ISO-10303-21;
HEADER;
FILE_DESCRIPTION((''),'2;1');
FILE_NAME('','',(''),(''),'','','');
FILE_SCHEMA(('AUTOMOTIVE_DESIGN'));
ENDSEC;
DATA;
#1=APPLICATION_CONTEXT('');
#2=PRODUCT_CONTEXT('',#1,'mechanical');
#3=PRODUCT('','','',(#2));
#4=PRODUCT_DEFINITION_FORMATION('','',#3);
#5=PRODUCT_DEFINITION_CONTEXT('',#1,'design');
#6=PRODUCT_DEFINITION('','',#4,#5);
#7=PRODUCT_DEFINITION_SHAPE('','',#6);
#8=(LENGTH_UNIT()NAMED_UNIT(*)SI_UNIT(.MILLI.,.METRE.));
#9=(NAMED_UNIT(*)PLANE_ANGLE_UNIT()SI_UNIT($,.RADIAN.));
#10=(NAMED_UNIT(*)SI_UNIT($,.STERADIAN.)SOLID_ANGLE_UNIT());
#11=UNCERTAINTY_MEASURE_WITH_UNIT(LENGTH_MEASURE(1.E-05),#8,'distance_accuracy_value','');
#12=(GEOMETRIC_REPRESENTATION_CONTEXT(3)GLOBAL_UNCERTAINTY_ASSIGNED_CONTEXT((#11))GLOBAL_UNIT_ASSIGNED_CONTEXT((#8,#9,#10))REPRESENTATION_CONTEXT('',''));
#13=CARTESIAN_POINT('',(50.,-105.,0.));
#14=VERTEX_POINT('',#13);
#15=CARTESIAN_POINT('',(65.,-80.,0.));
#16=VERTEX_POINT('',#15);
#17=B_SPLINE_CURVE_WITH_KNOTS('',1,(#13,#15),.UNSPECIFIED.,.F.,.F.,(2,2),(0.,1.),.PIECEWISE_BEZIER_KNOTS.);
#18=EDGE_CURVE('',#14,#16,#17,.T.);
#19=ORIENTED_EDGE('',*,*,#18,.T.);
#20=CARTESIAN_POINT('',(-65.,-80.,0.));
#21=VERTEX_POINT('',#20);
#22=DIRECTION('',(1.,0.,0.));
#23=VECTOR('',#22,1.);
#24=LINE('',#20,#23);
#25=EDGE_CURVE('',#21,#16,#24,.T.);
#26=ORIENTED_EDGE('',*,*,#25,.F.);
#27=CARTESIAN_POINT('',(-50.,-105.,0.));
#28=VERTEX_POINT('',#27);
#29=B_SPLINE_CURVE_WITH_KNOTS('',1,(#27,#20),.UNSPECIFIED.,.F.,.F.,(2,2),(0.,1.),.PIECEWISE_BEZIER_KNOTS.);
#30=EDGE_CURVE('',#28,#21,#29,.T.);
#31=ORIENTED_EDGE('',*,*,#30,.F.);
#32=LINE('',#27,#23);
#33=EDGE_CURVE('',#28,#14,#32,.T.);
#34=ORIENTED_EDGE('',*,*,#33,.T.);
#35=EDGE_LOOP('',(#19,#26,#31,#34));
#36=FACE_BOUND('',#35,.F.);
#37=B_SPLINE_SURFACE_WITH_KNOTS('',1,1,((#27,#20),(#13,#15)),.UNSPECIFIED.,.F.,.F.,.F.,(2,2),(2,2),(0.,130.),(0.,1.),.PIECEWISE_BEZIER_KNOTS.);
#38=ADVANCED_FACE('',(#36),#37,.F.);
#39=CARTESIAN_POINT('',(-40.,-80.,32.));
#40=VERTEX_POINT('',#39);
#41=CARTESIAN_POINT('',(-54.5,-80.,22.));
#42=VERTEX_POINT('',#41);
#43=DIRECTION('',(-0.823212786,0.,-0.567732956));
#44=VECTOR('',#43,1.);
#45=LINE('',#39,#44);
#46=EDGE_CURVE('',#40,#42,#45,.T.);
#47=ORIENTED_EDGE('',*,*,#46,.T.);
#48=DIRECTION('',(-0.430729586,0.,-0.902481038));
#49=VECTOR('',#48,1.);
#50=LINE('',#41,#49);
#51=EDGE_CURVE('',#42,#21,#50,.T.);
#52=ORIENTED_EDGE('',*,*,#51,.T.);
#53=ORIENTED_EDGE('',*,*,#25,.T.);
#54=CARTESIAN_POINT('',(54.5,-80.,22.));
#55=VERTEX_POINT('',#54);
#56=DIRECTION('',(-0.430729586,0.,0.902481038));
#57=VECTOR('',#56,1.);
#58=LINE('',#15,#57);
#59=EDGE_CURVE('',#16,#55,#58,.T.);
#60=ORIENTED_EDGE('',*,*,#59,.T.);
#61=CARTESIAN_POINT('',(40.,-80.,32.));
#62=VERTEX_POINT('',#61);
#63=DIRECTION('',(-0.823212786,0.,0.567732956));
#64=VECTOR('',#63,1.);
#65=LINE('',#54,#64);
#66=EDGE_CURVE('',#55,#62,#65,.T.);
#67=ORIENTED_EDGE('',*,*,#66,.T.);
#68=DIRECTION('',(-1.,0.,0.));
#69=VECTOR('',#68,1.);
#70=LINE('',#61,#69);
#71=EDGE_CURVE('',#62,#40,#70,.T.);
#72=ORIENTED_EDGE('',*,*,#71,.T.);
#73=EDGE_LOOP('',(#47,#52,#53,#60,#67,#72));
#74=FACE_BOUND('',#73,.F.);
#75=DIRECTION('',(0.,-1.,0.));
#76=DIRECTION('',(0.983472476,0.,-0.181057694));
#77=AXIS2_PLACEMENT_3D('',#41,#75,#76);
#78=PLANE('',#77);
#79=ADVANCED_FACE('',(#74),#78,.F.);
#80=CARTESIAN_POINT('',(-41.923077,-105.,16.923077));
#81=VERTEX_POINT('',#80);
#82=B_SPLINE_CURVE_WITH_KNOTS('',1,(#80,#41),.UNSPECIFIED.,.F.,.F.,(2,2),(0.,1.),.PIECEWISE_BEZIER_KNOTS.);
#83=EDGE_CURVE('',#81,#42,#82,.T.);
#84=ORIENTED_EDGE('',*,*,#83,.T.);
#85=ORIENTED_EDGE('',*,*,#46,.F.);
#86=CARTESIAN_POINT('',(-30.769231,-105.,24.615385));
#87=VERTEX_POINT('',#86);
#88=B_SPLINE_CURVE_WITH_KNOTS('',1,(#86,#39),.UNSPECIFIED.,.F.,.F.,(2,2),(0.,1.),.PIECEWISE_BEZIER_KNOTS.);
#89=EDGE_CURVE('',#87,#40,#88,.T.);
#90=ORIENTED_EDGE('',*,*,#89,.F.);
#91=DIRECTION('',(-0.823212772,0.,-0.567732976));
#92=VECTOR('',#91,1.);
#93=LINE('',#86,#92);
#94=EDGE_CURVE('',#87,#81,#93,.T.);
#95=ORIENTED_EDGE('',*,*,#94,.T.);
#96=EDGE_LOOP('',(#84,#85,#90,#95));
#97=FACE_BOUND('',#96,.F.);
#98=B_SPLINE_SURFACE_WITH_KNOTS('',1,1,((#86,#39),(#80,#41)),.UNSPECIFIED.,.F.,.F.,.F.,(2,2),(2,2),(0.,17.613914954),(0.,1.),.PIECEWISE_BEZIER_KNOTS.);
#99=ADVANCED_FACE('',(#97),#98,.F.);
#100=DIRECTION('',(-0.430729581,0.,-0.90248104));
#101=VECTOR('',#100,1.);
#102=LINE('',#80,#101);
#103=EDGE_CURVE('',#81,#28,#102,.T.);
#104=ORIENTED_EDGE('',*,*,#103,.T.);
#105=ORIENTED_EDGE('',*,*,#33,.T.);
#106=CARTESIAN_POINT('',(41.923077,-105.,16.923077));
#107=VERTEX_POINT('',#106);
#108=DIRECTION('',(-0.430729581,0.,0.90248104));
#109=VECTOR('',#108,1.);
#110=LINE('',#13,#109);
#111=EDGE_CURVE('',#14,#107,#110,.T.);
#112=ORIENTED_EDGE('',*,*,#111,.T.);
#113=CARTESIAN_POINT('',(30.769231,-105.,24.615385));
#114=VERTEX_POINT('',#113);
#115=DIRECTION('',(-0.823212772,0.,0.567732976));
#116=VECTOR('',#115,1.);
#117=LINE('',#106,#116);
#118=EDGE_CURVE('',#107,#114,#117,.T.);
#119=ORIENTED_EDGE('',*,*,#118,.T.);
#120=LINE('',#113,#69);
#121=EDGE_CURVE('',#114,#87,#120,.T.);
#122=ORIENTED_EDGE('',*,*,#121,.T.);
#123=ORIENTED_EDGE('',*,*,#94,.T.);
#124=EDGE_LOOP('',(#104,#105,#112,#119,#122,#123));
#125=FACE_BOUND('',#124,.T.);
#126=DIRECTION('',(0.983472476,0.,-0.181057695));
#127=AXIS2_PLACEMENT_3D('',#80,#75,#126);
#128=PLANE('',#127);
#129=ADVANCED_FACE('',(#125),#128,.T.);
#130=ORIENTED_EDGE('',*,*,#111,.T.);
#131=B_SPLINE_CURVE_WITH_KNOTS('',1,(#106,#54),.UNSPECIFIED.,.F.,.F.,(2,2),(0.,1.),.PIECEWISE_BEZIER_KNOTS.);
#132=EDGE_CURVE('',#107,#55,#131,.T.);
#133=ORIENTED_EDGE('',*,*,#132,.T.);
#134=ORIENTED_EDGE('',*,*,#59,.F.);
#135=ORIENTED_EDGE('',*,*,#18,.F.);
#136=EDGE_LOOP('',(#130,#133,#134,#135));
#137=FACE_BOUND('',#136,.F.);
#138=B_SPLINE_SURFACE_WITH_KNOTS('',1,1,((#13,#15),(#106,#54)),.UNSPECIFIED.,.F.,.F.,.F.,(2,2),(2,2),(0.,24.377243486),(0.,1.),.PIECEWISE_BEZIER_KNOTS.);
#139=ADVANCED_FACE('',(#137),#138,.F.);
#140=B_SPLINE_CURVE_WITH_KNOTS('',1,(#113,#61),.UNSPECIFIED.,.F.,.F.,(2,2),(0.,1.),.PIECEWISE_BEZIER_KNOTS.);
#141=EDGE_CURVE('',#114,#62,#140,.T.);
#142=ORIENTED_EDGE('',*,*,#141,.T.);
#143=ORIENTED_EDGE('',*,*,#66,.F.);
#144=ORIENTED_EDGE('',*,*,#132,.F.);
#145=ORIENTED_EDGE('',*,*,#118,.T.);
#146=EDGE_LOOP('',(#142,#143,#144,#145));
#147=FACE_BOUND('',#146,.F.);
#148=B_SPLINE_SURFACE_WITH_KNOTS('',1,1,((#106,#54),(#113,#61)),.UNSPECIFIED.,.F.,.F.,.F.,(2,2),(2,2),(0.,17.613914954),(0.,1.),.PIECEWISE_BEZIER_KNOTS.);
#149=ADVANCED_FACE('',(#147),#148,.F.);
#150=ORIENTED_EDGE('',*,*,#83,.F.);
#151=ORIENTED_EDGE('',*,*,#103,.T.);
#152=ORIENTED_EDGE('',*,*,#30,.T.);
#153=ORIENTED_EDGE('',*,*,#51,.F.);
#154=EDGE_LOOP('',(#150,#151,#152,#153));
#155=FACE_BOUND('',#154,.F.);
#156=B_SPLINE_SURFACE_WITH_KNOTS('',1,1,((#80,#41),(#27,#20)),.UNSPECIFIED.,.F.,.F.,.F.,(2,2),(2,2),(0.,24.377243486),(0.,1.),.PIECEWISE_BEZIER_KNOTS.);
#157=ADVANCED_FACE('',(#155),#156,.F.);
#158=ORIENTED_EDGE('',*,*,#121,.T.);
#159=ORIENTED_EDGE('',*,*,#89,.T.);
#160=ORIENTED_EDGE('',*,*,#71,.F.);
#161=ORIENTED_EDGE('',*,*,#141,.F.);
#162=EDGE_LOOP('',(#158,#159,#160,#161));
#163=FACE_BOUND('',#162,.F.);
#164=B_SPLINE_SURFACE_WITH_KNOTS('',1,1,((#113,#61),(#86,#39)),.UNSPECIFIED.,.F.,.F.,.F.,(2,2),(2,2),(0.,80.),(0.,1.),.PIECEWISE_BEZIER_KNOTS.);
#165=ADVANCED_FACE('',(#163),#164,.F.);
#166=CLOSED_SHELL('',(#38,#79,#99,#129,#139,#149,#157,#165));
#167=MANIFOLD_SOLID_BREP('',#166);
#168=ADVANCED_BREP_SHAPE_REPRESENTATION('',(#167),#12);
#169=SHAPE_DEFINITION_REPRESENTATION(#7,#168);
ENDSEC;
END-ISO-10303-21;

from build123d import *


with BuildPart() as f4:
    # F3 (on offset) → F4 section 0
    with BuildSketch(Plane.XZ.offset(105)):
        Polygon((-41.923077, 16.923077), (-50, 0), (50, 0), (41.923077, 16.923077), (30.769231, 24.615385), (0, 24.615385), (-30.769231, 24.615385), align=None)
    # F1 (on offset) → F4 section 1
    with BuildSketch(Plane.XZ.offset(80)):
        Polygon((-54.5, 22), (-65, 0), (65, 0), (54.5, 22), (40, 32), (0, 32), (-40, 32), align=None)
    loft()


solid = f4.part
